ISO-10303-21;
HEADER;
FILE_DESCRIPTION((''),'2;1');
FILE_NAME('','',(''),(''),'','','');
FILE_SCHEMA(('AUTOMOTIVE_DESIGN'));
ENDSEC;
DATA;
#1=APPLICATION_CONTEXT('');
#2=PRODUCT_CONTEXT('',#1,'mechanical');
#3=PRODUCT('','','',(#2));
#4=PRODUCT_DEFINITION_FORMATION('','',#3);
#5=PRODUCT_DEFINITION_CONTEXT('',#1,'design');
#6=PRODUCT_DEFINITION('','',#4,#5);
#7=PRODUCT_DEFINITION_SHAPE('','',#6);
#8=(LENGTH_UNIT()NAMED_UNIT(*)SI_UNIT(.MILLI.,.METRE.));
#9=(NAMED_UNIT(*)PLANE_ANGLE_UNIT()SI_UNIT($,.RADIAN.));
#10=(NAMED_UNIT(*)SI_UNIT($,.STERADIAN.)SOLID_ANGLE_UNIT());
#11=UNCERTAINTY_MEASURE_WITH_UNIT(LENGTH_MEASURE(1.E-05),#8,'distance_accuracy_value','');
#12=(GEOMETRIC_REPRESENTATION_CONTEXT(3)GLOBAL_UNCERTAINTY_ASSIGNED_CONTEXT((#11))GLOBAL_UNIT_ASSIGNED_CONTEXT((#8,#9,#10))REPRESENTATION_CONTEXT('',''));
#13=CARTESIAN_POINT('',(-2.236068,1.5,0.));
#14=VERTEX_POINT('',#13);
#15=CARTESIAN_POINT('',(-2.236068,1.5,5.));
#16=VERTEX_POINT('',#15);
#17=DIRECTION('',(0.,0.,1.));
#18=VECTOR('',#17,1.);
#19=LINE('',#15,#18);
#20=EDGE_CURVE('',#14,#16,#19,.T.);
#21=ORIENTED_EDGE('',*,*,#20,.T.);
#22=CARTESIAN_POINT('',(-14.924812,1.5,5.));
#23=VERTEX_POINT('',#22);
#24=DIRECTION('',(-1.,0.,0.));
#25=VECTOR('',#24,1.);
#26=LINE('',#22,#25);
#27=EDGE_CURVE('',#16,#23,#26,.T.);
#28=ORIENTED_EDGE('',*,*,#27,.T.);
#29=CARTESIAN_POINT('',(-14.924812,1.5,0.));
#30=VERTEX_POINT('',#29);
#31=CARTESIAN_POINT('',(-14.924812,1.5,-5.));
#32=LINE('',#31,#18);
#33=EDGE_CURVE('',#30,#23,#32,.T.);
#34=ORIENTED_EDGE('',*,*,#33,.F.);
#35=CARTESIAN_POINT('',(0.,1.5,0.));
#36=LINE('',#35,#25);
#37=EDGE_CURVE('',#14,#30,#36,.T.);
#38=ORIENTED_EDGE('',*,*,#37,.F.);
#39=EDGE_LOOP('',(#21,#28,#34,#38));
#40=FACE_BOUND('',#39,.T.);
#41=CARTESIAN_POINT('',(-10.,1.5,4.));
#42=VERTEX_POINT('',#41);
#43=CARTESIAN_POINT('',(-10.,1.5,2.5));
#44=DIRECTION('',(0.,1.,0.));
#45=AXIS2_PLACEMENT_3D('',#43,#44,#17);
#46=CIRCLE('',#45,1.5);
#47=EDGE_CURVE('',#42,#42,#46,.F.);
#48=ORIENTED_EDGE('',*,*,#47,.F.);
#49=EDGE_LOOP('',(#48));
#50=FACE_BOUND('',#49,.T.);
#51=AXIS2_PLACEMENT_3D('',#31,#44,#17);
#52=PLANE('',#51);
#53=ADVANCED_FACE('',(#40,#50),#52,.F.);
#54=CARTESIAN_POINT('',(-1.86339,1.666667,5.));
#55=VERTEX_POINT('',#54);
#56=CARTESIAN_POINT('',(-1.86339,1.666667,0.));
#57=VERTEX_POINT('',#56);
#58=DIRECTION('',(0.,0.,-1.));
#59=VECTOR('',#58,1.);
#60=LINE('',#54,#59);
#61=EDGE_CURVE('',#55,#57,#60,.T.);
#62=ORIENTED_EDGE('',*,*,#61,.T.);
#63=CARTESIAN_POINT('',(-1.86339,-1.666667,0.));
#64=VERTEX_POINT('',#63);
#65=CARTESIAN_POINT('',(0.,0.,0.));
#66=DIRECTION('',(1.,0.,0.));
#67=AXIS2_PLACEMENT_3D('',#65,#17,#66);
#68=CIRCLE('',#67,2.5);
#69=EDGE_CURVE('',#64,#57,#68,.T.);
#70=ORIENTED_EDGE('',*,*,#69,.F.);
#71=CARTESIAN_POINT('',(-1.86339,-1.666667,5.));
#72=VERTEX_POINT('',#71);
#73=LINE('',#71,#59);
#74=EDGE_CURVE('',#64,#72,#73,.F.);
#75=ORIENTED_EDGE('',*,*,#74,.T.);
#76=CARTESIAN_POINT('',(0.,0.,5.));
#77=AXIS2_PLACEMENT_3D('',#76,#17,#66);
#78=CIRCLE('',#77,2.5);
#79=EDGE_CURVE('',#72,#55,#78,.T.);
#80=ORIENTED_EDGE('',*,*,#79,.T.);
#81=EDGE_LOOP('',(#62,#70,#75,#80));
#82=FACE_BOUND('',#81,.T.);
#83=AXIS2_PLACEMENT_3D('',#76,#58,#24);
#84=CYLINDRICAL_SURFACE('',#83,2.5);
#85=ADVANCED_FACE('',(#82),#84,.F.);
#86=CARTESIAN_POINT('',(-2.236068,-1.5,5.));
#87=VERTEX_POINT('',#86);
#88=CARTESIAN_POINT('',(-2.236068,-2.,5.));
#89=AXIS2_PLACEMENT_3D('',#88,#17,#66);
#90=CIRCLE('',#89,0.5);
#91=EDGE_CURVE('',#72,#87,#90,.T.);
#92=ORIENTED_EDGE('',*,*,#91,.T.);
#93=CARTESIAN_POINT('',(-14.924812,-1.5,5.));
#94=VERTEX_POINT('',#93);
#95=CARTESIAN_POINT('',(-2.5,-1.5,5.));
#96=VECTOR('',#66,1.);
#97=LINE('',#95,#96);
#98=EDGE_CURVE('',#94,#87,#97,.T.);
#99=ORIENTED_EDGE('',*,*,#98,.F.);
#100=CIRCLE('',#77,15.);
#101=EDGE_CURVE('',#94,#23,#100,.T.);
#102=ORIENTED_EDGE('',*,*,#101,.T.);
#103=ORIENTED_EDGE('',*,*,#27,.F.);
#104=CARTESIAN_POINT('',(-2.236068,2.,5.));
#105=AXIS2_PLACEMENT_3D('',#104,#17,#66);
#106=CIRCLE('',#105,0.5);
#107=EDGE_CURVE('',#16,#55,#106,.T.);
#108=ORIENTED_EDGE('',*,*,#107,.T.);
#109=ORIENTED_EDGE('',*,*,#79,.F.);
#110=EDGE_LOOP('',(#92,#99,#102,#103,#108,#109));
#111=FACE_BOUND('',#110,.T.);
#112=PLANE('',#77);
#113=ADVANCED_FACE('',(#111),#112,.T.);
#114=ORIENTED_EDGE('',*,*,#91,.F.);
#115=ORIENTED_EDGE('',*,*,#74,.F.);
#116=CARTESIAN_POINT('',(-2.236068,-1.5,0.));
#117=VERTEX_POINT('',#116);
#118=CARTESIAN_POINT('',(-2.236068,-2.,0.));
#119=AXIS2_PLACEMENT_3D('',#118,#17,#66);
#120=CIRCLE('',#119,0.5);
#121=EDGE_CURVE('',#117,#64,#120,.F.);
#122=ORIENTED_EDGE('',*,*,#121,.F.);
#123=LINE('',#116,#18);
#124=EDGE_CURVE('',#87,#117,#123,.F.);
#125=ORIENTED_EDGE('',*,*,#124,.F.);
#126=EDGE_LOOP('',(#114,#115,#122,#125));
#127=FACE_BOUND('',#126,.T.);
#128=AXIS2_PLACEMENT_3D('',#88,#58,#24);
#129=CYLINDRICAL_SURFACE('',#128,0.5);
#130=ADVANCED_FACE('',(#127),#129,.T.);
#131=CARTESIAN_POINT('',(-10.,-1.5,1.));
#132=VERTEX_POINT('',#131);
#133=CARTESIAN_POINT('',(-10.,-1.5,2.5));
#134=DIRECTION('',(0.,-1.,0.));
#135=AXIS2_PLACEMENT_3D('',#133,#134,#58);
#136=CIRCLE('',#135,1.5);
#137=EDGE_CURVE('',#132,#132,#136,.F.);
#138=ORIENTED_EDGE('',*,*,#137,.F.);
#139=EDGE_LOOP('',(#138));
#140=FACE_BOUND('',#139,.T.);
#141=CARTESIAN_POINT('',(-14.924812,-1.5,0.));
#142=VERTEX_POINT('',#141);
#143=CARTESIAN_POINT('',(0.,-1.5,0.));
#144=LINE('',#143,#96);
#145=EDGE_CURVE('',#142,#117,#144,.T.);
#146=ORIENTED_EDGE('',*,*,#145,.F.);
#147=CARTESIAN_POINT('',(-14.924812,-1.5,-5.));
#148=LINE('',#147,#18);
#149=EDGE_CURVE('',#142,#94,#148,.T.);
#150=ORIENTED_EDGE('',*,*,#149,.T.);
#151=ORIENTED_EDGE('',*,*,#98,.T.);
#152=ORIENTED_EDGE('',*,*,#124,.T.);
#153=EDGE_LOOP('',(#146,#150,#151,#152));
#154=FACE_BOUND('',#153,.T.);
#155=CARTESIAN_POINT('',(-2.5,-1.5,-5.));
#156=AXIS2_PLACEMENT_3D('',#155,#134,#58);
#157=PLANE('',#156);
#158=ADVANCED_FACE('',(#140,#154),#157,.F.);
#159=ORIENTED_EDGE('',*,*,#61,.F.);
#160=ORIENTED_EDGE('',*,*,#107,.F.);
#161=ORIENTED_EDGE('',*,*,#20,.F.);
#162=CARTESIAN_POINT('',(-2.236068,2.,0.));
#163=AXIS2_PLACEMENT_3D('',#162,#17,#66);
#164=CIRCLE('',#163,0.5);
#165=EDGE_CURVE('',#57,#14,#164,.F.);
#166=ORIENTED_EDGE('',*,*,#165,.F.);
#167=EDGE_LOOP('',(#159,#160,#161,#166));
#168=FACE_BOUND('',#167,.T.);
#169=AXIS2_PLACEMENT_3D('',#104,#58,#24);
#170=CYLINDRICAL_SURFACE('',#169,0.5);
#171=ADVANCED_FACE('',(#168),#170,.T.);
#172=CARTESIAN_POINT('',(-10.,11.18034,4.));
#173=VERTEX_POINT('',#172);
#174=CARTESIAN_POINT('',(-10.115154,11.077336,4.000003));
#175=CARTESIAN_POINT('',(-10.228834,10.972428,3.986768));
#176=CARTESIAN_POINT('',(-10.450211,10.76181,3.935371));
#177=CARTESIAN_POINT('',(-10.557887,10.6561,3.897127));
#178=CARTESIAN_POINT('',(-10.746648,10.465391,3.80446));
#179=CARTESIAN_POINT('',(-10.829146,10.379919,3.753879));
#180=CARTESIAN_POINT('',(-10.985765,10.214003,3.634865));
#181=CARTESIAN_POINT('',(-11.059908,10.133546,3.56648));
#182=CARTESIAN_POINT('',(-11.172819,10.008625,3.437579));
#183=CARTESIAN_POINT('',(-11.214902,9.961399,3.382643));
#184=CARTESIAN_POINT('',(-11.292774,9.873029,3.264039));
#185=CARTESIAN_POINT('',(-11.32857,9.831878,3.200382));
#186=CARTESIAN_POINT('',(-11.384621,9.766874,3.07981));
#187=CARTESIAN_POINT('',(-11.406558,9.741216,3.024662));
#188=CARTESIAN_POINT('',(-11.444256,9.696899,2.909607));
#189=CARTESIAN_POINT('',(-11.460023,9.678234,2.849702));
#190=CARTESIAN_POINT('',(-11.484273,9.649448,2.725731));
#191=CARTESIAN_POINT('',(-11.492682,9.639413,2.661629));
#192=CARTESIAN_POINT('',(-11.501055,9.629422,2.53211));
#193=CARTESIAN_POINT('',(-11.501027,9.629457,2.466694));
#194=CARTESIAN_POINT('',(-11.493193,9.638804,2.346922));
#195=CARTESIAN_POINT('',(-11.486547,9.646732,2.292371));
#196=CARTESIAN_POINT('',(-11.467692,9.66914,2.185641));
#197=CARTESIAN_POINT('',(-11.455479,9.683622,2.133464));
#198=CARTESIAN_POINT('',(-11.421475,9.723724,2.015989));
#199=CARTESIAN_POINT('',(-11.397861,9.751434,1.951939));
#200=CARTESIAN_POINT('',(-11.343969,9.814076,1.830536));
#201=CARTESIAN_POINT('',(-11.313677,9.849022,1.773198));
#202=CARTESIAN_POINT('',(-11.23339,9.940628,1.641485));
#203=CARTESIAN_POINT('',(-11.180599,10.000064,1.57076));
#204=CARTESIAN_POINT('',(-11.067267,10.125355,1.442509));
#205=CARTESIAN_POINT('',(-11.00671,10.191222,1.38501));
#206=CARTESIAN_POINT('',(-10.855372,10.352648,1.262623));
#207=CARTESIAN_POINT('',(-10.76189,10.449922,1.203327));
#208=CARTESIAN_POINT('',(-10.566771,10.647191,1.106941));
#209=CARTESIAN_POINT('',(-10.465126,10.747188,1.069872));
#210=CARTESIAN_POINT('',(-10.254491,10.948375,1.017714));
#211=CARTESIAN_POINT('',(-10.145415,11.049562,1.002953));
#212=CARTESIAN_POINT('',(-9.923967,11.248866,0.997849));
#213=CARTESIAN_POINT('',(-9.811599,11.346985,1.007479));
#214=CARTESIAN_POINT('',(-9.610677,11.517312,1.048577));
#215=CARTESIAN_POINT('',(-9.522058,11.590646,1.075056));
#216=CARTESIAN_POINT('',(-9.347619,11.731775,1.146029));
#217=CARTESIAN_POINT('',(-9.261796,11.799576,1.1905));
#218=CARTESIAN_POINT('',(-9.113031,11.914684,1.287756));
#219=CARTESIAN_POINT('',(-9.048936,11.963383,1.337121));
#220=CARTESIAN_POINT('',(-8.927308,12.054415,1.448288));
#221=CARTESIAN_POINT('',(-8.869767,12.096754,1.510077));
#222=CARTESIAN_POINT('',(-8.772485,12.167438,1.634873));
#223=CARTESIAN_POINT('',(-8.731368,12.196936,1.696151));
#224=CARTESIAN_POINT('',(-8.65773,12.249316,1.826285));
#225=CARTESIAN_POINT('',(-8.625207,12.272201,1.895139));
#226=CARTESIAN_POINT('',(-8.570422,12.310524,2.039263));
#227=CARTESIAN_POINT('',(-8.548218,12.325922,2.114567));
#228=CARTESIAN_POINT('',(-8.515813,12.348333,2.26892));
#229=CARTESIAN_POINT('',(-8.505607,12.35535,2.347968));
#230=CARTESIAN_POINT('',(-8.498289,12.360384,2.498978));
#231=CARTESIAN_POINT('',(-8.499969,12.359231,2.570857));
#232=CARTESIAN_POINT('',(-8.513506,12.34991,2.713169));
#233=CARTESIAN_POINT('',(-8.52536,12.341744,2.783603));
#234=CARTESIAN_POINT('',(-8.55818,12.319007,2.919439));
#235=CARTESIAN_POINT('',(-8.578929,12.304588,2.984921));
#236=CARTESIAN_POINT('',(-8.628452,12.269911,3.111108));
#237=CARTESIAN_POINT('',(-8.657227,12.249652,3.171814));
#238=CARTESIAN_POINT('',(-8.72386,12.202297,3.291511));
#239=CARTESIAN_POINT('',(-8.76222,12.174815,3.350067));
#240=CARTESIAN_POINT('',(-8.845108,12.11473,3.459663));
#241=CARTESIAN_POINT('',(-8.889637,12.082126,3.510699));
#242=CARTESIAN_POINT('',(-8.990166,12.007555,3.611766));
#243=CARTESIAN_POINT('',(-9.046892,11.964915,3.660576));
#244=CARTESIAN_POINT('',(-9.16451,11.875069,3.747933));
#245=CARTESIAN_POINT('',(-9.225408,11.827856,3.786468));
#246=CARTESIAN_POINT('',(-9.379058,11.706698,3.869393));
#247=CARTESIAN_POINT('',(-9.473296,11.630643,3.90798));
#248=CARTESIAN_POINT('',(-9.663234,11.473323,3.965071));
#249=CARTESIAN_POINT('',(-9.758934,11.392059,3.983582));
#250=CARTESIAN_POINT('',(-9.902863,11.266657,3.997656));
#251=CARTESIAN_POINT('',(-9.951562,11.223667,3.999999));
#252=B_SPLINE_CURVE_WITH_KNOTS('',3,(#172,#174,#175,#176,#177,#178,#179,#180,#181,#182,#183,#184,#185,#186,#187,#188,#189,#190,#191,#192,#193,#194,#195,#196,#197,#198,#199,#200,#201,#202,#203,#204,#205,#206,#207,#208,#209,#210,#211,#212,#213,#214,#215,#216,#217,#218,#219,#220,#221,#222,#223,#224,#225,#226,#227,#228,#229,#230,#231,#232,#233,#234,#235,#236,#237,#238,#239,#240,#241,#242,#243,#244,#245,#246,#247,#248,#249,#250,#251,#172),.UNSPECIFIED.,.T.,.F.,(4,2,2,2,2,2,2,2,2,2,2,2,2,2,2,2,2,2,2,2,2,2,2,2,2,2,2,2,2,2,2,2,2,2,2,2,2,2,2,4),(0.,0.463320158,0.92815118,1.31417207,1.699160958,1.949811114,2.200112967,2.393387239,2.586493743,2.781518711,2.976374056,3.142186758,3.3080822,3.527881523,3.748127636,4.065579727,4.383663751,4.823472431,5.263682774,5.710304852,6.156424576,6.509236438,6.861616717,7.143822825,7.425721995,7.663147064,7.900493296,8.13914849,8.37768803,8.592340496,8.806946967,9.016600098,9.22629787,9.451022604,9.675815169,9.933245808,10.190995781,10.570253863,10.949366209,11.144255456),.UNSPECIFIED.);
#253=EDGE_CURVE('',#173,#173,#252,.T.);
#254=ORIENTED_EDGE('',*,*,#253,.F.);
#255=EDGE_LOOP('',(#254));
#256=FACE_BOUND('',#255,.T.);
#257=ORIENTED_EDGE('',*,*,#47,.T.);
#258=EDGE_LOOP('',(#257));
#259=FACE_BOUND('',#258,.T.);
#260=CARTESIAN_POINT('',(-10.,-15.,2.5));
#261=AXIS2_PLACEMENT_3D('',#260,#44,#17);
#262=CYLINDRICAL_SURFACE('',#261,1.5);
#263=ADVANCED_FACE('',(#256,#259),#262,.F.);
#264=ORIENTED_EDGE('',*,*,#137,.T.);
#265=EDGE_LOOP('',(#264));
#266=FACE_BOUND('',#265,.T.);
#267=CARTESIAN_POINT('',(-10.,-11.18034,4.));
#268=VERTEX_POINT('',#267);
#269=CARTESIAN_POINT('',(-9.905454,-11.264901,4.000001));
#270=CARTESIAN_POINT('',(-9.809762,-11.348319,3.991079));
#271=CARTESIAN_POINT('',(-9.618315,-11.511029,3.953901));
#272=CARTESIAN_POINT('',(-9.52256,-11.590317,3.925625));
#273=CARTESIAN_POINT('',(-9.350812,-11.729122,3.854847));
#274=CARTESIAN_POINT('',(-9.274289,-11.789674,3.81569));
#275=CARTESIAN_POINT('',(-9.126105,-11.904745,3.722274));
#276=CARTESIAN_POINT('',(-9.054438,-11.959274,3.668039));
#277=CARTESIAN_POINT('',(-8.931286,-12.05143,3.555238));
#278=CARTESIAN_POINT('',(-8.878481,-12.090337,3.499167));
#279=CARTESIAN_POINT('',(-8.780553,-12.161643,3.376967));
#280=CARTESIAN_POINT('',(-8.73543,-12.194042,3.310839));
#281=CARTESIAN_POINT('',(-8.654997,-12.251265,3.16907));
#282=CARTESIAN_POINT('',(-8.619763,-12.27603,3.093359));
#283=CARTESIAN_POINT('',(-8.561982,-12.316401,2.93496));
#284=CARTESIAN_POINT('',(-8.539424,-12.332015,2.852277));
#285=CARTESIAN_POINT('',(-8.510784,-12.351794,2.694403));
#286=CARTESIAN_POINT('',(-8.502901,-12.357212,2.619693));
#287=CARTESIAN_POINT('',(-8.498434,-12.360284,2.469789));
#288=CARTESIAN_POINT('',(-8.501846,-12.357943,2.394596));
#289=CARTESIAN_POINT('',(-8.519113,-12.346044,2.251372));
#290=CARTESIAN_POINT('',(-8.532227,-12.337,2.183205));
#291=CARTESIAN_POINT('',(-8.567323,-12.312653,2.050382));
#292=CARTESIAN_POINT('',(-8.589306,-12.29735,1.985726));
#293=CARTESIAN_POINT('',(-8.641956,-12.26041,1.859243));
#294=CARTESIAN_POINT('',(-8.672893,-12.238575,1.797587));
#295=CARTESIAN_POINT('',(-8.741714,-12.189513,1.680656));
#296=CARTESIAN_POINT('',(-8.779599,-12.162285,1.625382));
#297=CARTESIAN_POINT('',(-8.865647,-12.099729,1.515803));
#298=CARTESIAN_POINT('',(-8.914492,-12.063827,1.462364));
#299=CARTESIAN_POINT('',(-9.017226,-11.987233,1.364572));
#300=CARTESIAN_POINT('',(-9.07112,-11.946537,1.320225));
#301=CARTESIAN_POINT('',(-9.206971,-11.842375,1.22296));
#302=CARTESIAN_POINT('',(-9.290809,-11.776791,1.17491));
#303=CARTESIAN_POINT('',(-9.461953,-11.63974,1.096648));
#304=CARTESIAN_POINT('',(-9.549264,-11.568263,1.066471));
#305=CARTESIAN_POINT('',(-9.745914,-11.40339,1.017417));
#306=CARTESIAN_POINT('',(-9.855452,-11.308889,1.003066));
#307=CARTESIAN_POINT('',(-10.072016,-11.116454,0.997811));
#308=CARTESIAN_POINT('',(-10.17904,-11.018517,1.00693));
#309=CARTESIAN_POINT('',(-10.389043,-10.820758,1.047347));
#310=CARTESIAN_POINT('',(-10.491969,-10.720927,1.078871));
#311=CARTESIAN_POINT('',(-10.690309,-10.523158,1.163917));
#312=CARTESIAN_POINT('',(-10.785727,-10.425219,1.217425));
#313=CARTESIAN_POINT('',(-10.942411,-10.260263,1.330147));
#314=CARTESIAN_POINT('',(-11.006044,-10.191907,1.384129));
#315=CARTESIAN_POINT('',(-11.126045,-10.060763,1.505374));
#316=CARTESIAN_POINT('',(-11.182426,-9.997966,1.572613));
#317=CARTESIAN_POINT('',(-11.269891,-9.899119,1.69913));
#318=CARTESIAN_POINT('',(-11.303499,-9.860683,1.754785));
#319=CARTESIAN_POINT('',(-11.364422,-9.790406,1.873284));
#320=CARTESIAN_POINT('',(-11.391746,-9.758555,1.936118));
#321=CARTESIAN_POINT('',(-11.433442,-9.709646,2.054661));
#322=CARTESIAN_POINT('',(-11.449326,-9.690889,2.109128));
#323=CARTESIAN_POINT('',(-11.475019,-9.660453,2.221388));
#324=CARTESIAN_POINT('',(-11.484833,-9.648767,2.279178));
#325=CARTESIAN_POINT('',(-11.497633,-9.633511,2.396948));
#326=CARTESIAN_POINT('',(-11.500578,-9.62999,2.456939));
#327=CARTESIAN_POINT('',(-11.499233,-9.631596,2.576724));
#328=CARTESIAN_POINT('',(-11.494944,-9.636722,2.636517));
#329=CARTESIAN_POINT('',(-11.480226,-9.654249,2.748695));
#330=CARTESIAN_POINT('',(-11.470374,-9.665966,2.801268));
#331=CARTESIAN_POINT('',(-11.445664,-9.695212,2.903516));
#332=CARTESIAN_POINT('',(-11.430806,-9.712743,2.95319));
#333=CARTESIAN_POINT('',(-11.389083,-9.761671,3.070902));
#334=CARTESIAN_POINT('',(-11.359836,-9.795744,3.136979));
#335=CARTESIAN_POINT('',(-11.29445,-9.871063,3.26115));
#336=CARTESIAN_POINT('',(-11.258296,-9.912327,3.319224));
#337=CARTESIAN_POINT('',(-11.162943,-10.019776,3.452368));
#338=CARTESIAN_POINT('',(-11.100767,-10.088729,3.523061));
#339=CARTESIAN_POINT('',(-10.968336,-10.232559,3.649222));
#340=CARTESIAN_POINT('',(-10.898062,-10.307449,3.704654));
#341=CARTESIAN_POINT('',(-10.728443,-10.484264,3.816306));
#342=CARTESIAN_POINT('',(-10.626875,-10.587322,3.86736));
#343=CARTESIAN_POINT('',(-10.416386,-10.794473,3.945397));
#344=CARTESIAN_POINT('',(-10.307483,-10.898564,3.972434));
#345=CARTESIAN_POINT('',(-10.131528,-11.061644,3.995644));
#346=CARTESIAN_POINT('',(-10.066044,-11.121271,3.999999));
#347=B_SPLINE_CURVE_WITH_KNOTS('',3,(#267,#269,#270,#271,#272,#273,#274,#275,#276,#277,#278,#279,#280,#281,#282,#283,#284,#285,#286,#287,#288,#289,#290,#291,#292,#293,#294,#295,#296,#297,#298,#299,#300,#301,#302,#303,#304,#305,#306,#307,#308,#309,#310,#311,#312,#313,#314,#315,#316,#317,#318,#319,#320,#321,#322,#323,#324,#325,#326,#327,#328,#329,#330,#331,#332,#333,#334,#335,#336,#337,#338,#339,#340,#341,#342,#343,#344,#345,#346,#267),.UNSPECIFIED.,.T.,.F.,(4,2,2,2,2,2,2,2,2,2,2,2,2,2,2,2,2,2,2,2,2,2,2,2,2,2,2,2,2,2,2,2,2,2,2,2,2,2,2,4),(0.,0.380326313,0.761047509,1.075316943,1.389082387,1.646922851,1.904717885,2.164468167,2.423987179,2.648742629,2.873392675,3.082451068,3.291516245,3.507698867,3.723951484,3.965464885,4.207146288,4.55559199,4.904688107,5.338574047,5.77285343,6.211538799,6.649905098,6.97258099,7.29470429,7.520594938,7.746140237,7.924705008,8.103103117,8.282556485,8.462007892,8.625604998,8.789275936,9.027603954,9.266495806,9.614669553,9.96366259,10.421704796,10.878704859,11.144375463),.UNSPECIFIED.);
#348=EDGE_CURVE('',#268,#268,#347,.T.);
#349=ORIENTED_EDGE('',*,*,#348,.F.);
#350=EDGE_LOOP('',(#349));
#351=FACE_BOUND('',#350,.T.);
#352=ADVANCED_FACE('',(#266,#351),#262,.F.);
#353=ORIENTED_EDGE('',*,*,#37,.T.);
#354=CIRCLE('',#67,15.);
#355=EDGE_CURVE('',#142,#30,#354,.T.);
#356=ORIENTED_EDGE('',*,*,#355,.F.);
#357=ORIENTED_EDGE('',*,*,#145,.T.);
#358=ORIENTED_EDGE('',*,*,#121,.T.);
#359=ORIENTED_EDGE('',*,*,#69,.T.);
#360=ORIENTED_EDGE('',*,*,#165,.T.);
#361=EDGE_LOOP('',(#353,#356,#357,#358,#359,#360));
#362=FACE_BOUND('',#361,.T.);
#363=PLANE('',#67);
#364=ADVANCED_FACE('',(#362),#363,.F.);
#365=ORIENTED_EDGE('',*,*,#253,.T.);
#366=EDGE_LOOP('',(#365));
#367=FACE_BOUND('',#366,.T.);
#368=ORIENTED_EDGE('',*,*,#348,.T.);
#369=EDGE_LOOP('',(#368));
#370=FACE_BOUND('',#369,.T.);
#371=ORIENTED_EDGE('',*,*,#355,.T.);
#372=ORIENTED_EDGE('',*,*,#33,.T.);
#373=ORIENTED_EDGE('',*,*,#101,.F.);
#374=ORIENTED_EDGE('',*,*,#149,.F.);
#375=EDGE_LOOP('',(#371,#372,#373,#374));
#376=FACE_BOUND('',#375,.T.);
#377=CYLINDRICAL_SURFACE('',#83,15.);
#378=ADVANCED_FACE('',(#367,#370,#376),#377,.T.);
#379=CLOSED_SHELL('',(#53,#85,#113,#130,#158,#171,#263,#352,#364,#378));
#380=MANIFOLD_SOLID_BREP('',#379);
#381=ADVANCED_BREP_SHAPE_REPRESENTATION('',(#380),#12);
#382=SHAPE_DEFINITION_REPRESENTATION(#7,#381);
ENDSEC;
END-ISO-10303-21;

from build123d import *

# Parameters (mm, degrees)
ESQUISSE1_R                  = 15
ESQUISSE1_R_2                = 2.5
BOSS_EXTRU_1_DEPTH           = 5
ENL_V_MAT_EXTRU_1_DEPTH      = 22.794494718
ENL_V_MAT_EXTRU_1_DEPTH_BACK = 22.794494718
ESQUISSE2_R                  = 1.5
ENL_V_START                  = -10
ENL_V_MAT_EXTRU_3_DEPTH      = 10
CONG_2_R                     = 0.5


with BuildPart() as part:
    # Esquisse1 → Boss.-Extru.1 (new body)
    with BuildSketch(Plane.XY):
        Circle(ESQUISSE1_R)
        Circle(ESQUISSE1_R_2, mode=Mode.SUBTRACT)
    extrude(amount=BOSS_EXTRU_1_DEPTH)

    # Esquisse2 → Enlèv. mat.-Extru.1 (cut, two sides: drawn at the far end of the back side and taken through both)
    with BuildSketch(Plane(origin=(0, 0, 0), x_dir=(1, 0, 0), z_dir=(0, 1, 0)).offset(-ENL_V_MAT_EXTRU_1_DEPTH_BACK)):
        with Locations(Location((-10, -2.5, 0), (0, 0, 270))):
            Circle(ESQUISSE2_R)
    extrude(amount=ENL_V_MAT_EXTRU_1_DEPTH + ENL_V_MAT_EXTRU_1_DEPTH_BACK, mode=Mode.SUBTRACT)

    # Esquisse3 → Enlèv. mat.-Extru.3 (cut)
    with BuildSketch(Plane.XY.offset(5).offset(ENL_V_START)):
        with BuildLine():
            Line((-14.924811557, 1.5), (-2.5, 1.5))
            Line((-2.5, 1.5), (-2, 1.5))
            ThreePointArc((-2, 1.5), (-2.5, 0), (-2, -1.5))
            Line((-2, -1.5), (-2.5, -1.5))
            Line((-2.5, -1.5), (-14.924811557, -1.5))
            ThreePointArc((-14.924811557, -1.5), (-15, 0), (-14.924811557, 1.5))
        make_face()
    extrude(amount=ENL_V_MAT_EXTRU_3_DEPTH, mode=Mode.SUBTRACT)

    # Congé2
    cong_2_edges = [part.edges().sort_by_distance(p)[0] for p in [
        (-2, 1.5, 2.5),
        (-2, -1.5, 2.5),
    ]]
    fillet(cong_2_edges, radius=CONG_2_R)


solid = part.part
